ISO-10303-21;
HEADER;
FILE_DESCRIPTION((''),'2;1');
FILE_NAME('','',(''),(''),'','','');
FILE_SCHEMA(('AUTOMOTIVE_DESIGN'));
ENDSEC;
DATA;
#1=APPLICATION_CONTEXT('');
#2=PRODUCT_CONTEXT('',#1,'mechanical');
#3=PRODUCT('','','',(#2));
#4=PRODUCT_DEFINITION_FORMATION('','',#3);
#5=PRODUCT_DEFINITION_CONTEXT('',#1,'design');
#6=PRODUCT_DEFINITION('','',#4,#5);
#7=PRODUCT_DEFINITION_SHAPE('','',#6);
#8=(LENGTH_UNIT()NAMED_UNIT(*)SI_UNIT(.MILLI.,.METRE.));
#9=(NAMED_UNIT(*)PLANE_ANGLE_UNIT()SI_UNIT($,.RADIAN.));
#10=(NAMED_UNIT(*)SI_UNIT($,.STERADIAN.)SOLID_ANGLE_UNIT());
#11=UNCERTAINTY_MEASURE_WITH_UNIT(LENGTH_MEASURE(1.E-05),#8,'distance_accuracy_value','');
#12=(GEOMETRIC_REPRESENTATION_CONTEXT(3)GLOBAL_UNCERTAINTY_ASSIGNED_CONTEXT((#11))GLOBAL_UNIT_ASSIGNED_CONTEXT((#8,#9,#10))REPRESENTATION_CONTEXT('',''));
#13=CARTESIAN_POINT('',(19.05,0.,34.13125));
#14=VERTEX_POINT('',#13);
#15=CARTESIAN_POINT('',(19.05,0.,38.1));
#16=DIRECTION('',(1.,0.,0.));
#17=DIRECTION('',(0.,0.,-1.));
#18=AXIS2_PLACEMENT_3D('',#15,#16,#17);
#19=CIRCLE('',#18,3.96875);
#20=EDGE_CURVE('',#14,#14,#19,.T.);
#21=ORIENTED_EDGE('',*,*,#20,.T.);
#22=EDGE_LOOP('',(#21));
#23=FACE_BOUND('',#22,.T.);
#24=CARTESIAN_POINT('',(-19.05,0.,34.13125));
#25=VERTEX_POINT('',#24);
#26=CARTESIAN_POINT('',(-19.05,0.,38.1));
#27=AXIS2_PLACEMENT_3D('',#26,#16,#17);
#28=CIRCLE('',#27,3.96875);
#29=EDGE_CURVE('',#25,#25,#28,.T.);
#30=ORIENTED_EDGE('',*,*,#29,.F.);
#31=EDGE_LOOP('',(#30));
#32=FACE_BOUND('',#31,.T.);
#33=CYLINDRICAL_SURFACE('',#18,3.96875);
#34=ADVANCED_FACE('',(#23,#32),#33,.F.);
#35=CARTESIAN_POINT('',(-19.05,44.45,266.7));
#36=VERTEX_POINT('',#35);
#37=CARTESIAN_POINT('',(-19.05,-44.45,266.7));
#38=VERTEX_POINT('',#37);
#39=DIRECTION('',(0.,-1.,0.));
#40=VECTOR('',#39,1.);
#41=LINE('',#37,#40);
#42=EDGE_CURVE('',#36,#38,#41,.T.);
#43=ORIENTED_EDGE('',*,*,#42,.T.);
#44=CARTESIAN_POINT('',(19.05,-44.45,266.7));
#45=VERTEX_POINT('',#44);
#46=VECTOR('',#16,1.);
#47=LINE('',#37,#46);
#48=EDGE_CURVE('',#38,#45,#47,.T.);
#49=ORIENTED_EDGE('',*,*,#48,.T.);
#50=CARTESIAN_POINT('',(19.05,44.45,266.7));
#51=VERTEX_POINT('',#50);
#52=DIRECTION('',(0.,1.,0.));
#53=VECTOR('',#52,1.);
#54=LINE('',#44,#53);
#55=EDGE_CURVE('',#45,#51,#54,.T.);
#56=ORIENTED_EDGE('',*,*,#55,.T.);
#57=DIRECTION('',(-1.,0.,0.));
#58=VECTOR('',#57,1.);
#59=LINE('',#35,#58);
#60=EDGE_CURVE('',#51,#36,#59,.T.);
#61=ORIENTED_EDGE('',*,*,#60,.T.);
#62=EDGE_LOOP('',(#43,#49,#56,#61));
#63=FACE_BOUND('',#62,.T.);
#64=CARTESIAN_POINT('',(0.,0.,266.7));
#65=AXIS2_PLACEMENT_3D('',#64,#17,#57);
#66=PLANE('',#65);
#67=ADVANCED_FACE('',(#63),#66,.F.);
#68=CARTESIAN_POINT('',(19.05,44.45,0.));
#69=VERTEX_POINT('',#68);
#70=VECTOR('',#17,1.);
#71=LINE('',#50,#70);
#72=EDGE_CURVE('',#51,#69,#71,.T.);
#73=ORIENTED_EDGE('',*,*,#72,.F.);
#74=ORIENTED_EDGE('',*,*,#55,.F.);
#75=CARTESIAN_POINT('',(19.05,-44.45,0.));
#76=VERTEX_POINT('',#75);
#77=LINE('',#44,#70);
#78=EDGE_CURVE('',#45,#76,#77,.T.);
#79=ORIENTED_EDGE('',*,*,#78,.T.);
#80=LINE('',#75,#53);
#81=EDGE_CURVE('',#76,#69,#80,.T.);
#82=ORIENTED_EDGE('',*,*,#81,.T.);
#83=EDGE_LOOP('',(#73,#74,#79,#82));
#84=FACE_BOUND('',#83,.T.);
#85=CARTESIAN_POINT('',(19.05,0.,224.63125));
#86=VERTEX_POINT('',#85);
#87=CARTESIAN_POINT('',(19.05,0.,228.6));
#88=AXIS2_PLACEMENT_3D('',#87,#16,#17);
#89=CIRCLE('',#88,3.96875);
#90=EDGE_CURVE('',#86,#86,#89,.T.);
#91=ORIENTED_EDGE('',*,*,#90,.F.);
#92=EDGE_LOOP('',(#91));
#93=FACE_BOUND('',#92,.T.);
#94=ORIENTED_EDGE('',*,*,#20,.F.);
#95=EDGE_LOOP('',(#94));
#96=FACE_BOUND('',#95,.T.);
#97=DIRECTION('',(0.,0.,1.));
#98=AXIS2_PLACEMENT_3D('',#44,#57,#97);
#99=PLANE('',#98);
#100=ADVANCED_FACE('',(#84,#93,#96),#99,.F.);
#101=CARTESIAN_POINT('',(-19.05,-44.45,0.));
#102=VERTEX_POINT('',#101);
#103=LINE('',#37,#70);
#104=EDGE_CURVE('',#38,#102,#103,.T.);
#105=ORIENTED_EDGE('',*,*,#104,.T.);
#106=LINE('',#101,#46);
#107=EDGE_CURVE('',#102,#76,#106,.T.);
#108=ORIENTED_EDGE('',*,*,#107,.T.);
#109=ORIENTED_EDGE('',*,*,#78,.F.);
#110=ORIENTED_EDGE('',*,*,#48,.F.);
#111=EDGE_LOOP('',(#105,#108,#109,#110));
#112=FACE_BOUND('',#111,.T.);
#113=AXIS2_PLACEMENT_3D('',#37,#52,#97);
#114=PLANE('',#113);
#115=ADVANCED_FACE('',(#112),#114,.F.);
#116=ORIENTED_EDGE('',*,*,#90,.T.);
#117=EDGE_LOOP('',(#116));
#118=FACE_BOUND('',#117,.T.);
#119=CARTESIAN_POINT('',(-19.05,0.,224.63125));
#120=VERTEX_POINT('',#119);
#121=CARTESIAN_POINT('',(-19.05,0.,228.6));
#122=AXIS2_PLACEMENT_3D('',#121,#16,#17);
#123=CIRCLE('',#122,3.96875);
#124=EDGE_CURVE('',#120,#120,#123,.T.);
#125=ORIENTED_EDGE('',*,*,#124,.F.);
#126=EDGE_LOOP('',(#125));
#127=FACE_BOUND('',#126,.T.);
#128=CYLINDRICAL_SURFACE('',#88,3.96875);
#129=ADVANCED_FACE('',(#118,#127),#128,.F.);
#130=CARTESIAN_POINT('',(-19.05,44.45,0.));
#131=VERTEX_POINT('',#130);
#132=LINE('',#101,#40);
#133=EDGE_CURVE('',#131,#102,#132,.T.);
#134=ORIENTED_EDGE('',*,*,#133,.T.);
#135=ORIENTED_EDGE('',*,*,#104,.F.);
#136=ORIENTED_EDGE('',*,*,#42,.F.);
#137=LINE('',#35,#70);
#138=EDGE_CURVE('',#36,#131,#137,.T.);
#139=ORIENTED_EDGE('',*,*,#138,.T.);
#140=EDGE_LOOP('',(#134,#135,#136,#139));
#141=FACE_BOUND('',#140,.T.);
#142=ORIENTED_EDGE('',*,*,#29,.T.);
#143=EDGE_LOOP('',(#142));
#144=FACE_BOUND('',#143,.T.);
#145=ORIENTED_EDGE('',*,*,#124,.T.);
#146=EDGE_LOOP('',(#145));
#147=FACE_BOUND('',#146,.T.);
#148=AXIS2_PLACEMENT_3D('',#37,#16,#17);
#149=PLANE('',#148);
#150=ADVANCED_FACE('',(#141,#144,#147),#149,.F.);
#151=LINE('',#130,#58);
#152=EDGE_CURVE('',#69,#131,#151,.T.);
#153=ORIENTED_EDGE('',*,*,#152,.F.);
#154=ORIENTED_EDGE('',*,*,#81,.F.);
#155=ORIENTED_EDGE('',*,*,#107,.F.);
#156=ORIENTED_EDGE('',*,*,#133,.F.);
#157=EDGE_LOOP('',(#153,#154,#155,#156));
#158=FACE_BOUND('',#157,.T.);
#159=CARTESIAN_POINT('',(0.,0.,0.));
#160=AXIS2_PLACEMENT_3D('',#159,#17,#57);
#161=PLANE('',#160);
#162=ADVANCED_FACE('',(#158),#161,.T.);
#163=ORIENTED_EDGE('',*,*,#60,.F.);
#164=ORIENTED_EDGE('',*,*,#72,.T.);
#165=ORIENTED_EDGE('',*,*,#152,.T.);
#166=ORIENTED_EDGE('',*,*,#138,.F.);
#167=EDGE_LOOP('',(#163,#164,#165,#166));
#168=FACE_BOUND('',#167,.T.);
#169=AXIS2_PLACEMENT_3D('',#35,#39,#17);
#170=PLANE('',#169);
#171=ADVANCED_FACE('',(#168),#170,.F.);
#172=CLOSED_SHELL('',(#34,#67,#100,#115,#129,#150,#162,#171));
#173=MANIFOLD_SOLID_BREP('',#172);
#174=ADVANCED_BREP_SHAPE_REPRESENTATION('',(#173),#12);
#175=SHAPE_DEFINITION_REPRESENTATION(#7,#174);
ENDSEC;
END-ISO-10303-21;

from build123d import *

# Parameters (mm, degrees)
SKETCH1_W                      = 38.1
SKETCH1_H                      = 88.9
BOSS_EXTRUDE1_DEPTH            = 266.7
F_5_16_0_3125_DIAMETER_HOLE1_D = 7.9375


with BuildPart() as part:
    # Sketch1 → Boss-Extrude1 (new body)
    with BuildSketch(Plane.XY):
        Rectangle(SKETCH1_W, SKETCH1_H)
    extrude(amount=BOSS_EXTRUDE1_DEPTH)

    # 5/16 (0.3125) Diameter Hole1 (through all)
    with Locations(Plane(origin=(19.05, 0, 0), x_dir=(0, 0, -1), z_dir=(1, 0, 0))):
        with Locations((-228.6, 0), (-38.1, 0)):
            Hole(F_5_16_0_3125_DIAMETER_HOLE1_D / 2)


solid = part.part
